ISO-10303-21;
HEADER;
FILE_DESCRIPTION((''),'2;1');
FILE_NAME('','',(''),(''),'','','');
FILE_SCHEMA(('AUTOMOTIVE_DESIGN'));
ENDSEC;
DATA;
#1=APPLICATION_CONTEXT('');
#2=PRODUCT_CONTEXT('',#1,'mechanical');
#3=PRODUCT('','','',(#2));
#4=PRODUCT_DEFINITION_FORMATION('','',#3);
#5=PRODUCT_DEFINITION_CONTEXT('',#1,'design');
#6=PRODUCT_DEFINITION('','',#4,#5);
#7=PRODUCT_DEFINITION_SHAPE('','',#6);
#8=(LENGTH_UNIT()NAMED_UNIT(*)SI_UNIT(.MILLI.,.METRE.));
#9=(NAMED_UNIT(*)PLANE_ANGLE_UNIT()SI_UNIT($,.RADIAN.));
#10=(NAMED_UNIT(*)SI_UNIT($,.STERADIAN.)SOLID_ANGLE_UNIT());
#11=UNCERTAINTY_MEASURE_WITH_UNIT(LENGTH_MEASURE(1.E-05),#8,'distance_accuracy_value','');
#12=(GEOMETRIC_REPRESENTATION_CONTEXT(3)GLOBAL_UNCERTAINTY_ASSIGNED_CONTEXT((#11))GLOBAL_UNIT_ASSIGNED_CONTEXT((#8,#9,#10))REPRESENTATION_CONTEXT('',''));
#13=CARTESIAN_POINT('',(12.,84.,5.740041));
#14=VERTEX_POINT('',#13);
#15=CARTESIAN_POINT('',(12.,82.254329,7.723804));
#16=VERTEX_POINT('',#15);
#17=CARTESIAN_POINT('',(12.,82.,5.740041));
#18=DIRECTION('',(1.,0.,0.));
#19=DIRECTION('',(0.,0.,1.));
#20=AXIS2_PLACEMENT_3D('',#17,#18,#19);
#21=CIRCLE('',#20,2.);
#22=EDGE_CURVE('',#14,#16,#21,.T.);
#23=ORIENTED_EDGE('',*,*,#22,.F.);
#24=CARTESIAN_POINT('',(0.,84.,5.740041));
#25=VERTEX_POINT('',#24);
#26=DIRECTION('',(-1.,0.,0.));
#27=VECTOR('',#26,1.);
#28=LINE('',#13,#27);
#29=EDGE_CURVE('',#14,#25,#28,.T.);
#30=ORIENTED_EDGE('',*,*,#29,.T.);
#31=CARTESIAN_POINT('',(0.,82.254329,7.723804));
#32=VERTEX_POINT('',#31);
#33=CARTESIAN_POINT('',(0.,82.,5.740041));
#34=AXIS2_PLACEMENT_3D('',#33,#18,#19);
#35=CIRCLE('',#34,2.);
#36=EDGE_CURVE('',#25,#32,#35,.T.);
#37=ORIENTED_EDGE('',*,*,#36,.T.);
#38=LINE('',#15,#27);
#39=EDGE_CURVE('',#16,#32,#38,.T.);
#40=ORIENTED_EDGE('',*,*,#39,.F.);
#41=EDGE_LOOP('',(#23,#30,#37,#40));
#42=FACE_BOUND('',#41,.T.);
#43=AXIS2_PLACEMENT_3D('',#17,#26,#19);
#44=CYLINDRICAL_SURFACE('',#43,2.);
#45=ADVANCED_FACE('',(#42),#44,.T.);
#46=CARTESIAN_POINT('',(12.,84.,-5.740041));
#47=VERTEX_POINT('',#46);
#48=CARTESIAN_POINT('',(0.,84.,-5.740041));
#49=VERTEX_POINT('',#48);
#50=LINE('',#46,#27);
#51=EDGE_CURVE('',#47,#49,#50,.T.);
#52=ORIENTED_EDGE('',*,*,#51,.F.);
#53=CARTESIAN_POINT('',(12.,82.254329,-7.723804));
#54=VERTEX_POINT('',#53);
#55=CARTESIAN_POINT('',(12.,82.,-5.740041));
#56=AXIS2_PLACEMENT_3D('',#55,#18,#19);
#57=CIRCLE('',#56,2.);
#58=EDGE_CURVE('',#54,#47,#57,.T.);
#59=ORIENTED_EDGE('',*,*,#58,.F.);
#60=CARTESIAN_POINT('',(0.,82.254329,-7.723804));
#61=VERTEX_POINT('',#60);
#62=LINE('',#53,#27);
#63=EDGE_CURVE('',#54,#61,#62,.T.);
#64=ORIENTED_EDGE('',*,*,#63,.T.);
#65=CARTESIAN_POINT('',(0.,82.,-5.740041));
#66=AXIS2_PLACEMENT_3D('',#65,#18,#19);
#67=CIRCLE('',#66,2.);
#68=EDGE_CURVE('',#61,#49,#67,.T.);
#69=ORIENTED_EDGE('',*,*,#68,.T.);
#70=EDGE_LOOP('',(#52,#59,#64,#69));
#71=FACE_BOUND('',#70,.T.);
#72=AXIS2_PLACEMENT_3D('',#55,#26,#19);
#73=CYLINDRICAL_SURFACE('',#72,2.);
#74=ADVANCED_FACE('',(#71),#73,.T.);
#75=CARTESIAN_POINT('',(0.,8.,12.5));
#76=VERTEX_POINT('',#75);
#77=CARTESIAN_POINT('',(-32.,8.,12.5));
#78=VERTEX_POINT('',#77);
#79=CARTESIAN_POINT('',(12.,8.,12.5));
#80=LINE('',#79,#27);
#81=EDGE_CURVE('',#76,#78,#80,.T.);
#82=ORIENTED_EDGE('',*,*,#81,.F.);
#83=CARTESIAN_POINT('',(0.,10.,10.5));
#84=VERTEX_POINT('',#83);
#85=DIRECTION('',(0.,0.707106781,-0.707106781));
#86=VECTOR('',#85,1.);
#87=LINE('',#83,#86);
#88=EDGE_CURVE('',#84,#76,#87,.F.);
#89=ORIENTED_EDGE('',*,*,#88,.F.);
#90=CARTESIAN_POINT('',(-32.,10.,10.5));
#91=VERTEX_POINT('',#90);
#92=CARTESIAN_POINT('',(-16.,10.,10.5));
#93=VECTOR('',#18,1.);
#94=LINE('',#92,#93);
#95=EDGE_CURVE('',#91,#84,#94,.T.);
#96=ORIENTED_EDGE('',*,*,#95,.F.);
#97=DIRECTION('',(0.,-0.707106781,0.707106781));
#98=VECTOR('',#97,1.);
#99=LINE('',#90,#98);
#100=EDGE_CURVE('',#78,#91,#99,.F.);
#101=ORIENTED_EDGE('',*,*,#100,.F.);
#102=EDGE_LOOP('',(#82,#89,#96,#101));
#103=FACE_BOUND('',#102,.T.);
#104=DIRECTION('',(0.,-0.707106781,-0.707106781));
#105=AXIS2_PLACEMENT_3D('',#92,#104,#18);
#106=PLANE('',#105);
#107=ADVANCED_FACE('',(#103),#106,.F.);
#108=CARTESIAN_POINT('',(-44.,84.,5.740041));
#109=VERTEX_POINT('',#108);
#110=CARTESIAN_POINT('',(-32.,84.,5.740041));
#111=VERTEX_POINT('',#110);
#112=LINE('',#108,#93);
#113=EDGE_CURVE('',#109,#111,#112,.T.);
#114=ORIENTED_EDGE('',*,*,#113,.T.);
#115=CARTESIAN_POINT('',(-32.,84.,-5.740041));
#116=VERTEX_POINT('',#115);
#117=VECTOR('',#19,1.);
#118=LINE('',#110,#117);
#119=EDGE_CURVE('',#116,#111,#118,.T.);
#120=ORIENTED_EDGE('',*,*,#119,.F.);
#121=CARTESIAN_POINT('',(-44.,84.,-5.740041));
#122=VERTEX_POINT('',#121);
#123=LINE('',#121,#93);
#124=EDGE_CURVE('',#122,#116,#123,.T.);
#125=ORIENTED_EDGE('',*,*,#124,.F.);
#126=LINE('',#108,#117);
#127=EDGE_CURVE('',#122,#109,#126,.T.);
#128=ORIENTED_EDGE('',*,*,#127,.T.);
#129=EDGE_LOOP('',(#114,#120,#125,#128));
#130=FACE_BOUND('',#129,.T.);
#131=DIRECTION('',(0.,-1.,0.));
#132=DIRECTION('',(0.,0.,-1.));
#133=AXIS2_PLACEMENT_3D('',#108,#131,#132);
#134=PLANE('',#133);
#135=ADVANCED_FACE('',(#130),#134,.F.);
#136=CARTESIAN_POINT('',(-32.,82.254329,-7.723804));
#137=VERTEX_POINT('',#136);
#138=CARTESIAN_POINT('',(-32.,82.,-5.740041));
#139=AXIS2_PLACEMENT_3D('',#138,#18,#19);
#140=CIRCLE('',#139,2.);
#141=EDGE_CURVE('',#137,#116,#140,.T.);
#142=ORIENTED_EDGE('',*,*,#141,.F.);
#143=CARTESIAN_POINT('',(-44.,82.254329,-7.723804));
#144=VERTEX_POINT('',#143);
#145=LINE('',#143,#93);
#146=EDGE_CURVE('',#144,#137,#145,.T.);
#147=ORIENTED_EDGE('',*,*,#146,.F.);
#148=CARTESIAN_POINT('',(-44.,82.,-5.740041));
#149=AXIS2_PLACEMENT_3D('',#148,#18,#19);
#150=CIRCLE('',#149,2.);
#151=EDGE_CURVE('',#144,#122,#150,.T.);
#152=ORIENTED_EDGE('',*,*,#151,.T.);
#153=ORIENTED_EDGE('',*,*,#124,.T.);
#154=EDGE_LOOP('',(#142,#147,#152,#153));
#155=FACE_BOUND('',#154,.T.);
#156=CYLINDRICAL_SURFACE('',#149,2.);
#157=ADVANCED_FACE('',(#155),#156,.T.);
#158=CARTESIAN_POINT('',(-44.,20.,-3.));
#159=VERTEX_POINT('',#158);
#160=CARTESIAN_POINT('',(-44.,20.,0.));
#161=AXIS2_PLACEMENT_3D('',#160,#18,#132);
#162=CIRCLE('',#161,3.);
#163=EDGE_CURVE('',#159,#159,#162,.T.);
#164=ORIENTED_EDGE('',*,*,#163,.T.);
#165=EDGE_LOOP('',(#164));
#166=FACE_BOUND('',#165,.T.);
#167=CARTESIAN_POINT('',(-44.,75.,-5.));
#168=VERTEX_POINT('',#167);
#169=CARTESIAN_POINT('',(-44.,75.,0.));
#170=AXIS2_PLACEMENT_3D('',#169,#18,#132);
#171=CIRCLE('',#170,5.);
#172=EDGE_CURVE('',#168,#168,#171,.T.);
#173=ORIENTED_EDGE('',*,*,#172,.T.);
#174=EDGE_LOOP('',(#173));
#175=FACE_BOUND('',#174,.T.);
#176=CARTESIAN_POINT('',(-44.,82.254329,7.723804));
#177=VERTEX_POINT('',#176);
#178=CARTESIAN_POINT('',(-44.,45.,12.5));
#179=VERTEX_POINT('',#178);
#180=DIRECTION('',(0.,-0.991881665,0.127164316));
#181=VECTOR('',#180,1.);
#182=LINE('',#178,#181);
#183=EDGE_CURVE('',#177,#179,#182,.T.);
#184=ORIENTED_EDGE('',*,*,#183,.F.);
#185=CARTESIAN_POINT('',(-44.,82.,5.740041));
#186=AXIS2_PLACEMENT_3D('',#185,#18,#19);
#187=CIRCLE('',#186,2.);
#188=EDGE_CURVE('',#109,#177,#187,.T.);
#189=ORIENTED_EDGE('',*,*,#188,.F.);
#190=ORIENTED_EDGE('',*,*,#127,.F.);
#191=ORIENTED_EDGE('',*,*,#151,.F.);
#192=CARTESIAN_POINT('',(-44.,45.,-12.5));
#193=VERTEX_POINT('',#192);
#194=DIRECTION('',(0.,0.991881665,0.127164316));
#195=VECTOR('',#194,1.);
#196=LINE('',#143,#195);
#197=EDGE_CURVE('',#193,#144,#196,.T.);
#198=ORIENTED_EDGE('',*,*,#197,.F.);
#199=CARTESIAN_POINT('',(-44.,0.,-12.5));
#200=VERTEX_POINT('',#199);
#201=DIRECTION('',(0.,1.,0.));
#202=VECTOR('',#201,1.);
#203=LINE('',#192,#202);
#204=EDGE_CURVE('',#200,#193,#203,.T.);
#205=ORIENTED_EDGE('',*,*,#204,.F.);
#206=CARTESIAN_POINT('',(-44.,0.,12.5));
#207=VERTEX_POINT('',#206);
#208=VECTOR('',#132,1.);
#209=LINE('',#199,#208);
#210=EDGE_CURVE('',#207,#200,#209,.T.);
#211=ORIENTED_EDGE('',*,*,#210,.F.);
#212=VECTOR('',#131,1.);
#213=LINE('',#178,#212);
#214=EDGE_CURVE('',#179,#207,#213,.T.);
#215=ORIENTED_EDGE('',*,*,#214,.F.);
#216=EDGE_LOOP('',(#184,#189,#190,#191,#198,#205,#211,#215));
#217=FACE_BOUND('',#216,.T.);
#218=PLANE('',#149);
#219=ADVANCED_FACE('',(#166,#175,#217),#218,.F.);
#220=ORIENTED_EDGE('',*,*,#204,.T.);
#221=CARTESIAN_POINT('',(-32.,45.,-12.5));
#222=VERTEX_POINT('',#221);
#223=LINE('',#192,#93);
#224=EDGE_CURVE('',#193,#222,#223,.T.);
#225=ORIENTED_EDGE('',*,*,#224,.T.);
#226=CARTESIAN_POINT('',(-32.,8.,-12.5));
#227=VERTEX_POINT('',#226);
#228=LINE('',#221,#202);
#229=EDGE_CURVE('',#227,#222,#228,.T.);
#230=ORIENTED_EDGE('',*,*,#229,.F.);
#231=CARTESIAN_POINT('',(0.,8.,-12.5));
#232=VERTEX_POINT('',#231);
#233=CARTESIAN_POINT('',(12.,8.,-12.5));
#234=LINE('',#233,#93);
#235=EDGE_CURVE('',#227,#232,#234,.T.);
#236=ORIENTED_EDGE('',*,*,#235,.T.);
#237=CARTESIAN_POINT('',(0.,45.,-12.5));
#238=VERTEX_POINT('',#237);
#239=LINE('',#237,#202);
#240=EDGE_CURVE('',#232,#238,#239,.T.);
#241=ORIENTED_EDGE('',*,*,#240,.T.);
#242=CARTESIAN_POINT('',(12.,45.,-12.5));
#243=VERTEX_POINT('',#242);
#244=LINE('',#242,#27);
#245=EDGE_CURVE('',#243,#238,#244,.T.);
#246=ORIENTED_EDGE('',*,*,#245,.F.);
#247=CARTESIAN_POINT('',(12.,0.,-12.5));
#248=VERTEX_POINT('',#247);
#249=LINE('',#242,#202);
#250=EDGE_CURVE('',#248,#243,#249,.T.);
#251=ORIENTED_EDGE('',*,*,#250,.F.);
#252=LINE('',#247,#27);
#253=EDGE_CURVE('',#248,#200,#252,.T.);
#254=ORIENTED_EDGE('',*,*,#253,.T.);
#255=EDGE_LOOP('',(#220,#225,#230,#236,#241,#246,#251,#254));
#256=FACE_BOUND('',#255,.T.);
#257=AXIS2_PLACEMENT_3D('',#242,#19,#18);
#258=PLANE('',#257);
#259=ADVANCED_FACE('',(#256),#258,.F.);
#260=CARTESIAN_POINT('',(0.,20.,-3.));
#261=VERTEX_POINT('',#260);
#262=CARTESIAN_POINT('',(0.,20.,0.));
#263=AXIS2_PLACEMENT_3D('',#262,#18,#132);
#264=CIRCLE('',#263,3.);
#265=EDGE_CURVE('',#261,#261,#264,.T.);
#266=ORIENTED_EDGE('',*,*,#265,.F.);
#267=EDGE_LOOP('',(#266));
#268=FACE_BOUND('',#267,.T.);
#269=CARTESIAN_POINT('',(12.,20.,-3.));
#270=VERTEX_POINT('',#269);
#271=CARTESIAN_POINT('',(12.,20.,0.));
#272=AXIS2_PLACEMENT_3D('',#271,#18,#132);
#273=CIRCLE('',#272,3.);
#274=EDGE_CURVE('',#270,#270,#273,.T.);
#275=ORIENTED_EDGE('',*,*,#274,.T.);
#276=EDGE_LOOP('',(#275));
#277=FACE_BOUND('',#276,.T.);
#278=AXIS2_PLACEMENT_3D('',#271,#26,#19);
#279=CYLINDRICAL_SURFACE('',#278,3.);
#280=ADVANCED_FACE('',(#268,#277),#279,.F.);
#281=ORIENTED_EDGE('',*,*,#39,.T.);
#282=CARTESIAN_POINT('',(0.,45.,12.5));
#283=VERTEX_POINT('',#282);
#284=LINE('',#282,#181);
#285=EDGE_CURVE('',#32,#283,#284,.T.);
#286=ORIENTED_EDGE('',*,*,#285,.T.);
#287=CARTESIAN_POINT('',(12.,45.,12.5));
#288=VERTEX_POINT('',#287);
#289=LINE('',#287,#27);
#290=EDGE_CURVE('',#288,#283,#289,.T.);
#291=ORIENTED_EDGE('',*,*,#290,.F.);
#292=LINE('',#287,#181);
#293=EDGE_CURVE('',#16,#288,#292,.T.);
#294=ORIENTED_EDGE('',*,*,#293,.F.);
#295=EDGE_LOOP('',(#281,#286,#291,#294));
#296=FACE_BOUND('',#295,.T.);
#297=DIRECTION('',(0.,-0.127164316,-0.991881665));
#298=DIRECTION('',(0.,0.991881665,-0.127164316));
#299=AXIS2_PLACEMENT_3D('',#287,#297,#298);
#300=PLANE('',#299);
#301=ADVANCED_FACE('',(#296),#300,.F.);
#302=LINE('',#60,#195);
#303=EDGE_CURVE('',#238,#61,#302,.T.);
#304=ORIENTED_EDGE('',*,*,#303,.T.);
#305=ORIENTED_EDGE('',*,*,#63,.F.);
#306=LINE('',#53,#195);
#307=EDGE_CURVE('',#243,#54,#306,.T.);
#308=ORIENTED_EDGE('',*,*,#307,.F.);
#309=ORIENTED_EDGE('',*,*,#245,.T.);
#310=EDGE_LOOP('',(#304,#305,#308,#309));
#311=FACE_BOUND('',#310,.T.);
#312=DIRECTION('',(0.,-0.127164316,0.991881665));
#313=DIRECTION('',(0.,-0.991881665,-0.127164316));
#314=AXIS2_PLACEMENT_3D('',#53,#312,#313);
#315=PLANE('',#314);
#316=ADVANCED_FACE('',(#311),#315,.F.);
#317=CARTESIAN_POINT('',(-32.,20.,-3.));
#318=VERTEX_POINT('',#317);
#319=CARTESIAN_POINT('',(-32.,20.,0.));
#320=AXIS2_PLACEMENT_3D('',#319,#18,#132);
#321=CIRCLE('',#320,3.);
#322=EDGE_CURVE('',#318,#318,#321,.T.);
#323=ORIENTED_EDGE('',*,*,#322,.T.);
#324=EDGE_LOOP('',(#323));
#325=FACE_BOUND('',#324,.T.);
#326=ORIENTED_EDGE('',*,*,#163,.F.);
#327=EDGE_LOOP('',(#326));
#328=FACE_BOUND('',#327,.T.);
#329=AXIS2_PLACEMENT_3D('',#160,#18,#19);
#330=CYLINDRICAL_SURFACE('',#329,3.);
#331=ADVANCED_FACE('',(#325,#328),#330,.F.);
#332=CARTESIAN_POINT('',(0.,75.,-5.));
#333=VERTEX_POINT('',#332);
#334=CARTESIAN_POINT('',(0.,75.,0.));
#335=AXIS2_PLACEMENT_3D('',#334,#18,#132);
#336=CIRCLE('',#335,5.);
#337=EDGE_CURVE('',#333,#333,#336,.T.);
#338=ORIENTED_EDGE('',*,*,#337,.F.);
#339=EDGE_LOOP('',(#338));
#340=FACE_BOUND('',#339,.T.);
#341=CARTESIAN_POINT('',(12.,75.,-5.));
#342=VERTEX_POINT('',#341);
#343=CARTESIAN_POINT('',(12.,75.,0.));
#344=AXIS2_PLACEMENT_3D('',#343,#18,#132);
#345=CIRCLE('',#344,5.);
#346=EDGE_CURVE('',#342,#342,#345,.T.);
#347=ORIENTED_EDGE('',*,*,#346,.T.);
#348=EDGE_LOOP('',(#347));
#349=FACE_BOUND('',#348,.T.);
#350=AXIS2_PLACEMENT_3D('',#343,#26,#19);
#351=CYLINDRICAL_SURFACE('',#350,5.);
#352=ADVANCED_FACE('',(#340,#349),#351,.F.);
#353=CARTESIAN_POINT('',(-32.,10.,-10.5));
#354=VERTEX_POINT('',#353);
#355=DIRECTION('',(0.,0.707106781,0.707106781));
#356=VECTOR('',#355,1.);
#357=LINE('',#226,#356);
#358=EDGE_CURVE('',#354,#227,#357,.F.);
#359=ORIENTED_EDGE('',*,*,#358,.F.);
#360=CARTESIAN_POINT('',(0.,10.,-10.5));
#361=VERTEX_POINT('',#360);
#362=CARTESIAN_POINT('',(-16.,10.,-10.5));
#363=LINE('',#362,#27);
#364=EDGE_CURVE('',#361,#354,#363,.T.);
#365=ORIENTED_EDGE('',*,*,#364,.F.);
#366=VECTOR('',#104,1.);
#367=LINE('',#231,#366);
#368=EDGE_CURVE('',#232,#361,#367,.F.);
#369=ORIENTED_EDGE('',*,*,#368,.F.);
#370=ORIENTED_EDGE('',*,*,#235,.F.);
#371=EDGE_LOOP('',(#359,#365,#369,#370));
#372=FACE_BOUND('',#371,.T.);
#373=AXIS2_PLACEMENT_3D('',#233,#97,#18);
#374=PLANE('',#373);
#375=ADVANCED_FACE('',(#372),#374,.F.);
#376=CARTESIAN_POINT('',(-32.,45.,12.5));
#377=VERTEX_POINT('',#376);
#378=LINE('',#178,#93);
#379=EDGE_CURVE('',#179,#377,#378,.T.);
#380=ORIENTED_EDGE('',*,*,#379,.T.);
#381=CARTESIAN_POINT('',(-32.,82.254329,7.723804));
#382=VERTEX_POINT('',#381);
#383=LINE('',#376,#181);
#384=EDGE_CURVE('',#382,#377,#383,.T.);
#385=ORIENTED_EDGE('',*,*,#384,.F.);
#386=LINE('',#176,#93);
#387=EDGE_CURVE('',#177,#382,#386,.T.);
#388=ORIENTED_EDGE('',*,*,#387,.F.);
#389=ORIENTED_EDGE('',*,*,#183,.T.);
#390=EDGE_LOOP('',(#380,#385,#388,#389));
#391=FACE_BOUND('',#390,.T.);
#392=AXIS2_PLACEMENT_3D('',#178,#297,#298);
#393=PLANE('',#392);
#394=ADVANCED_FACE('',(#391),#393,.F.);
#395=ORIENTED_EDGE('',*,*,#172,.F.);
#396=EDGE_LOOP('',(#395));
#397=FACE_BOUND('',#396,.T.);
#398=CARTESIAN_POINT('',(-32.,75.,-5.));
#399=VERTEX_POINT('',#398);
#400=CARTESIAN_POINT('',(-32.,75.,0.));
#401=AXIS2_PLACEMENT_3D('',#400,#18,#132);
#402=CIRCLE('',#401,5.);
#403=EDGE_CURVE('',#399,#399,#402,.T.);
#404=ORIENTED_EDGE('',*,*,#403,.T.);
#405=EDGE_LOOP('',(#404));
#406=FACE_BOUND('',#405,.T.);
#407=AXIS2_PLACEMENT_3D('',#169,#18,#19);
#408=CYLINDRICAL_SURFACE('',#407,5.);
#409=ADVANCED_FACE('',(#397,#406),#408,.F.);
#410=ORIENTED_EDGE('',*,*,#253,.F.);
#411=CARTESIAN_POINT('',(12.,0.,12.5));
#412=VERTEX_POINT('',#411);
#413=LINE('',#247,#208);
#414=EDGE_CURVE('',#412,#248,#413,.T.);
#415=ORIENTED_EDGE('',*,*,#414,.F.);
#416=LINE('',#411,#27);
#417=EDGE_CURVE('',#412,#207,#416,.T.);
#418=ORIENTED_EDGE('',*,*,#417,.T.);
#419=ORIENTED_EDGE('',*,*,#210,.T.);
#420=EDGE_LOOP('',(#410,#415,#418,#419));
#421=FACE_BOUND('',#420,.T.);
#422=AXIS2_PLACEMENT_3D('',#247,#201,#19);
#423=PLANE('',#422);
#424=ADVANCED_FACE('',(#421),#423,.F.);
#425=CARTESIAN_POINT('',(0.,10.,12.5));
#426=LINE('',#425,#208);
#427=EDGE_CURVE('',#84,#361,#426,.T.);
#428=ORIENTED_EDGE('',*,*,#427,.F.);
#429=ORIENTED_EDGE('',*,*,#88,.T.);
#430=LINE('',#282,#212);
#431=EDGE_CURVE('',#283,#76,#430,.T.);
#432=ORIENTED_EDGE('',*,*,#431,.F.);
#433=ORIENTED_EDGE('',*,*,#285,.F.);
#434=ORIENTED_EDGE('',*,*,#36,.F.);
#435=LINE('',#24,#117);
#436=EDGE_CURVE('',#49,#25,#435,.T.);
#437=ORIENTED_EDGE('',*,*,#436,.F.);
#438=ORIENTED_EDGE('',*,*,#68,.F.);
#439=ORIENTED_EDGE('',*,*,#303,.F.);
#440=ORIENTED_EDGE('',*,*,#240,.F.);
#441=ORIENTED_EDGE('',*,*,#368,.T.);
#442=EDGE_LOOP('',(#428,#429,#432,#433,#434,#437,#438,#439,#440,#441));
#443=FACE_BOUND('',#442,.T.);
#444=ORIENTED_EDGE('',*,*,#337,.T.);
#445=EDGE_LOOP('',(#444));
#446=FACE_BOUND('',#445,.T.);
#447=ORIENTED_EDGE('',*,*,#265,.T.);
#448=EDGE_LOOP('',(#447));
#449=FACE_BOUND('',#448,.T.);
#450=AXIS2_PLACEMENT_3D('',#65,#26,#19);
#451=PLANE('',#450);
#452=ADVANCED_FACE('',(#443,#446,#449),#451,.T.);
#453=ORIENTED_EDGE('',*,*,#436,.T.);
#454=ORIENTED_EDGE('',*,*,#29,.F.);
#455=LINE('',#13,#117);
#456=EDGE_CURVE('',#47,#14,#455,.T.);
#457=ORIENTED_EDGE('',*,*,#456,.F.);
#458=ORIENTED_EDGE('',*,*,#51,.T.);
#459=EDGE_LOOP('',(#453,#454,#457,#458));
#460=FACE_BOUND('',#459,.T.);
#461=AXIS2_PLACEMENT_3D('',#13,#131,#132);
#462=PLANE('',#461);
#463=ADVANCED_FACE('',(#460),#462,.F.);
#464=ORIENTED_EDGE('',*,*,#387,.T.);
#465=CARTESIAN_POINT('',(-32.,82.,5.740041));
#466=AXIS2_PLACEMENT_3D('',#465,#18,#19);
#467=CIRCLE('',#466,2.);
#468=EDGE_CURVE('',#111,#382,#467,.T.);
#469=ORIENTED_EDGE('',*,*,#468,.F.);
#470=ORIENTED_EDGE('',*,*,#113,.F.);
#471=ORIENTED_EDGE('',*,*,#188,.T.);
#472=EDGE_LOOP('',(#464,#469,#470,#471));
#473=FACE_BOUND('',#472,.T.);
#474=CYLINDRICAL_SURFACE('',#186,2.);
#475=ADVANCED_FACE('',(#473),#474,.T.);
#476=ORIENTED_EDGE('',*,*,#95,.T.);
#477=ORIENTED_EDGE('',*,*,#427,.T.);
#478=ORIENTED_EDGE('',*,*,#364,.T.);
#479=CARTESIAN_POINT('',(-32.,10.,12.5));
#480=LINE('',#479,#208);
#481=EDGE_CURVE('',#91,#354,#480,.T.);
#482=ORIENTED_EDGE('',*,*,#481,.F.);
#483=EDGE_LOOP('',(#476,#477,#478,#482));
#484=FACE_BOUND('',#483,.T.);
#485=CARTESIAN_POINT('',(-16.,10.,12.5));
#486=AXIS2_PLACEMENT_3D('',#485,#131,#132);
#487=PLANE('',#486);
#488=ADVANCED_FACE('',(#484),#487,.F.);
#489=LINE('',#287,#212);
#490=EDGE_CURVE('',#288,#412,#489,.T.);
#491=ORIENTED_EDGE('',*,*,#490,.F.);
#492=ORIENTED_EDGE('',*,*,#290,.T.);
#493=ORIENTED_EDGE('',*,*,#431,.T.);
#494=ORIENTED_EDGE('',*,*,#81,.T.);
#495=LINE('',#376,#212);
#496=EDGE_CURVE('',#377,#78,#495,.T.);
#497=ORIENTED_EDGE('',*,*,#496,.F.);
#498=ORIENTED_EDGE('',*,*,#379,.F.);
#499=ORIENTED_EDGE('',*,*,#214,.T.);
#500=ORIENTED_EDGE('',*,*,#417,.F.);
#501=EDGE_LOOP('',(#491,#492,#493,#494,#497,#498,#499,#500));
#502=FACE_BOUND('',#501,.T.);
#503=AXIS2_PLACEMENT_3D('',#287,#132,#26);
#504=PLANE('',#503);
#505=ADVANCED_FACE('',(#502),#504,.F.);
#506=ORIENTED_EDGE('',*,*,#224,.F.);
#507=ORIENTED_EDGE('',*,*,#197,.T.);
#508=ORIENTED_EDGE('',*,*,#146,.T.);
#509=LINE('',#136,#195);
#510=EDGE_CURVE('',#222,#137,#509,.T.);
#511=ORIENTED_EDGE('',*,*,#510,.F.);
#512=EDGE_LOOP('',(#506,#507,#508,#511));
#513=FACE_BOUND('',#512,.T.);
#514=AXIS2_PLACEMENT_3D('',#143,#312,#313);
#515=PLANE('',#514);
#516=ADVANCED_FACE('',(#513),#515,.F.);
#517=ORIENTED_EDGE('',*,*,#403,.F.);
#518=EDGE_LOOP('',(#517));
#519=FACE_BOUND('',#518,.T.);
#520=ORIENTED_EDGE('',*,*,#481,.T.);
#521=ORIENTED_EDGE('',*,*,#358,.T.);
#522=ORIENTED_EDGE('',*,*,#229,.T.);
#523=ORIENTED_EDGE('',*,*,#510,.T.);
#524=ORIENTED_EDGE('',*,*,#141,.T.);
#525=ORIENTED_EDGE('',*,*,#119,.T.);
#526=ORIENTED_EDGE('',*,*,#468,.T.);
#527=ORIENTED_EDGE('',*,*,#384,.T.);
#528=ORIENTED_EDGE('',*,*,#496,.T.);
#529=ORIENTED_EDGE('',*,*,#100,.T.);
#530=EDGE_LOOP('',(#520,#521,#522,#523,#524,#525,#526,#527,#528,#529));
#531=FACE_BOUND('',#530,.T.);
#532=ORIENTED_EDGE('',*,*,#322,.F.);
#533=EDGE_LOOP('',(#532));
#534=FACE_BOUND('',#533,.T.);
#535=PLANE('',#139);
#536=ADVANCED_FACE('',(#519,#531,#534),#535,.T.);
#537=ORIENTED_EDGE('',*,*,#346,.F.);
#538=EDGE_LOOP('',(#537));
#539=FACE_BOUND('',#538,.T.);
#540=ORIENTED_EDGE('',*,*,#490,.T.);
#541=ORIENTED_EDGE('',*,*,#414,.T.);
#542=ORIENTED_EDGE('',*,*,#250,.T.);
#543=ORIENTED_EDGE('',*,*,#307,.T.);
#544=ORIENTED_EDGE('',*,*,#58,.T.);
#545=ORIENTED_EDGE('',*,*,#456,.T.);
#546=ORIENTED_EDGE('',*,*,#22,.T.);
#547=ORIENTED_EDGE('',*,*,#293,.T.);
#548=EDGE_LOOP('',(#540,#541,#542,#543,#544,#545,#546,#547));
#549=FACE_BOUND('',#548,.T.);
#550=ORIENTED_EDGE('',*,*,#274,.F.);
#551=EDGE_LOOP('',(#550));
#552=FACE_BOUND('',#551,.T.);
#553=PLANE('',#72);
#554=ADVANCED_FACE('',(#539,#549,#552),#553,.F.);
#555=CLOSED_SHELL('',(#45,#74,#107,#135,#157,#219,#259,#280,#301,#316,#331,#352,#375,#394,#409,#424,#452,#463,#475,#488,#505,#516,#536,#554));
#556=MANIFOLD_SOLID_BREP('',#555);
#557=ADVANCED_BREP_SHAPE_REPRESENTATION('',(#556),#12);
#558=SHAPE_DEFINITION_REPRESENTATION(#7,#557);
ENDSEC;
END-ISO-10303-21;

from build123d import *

# Parameters (mm, degrees)
SKETCH1_R           = 3
SKETCH1_R_2         = 5
BOSS_EXTRUDE1_DEPTH = 12
SKETCH3_W           = 25
SKETCH3_H           = 10
BOSS_EXTRUDE2_DEPTH = 16
CHAMFER1_SIZE       = 2


with BuildPart() as part:
    # Sketch1 → Boss-Extrude1 (new body)
    with BuildSketch(Plane(origin=(0, 0, 0), x_dir=(0, 0, -1), z_dir=(1, 0, 0))):
        with BuildLine():
            Line((-12.5, 45), (-7.723804022, 82.254328632))
            ThreePointArc((-7.723804022, 82.254328632), (-7.061279266, 83.501442184), (-5.740040692, 84))
            Line((-5.740040692, 84), (5.740040692, 84))
            ThreePointArc((5.740040692, 84), (7.061279266, 83.501442184), (7.723804022, 82.254328632))
            Line((7.723804022, 82.254328632), (12.5, 45))
            Line((12.5, 45), (12.5, 0))
            Line((12.5, 0), (-12.5, 0))
            Line((-12.5, 0), (-12.5, 45))
        make_face()
        with Locations((0, 20)):
            Circle(SKETCH1_R, mode=Mode.SUBTRACT)
        with Locations((0, 75)):
            Circle(SKETCH1_R_2, mode=Mode.SUBTRACT)
    extrude(amount=BOSS_EXTRUDE1_DEPTH)

    # Sketch3 → Boss-Extrude2 (add)
    with BuildSketch(Plane.ZY):
        with Locations((0, 5)):
            Rectangle(SKETCH3_W, SKETCH3_H)
    extrude(amount=BOSS_EXTRUDE2_DEPTH)

    # Mirror2: part across plane


with BuildPart() as part_1:
    add(part.part)
    add(part.part.mirror(Plane(origin=(-16, 0, 0), x_dir=(0, 0, 1), z_dir=(1, 0, 0))))

    # Chamfer1
    chamfer1_edges = [part_1.edges().sort_by_distance(p)[0] for p in [
        (-16, 10, -12.5),
        (-16, 10, 12.5),
    ]]
    chamfer(chamfer1_edges, length=CHAMFER1_SIZE)


solid = part_1.part
